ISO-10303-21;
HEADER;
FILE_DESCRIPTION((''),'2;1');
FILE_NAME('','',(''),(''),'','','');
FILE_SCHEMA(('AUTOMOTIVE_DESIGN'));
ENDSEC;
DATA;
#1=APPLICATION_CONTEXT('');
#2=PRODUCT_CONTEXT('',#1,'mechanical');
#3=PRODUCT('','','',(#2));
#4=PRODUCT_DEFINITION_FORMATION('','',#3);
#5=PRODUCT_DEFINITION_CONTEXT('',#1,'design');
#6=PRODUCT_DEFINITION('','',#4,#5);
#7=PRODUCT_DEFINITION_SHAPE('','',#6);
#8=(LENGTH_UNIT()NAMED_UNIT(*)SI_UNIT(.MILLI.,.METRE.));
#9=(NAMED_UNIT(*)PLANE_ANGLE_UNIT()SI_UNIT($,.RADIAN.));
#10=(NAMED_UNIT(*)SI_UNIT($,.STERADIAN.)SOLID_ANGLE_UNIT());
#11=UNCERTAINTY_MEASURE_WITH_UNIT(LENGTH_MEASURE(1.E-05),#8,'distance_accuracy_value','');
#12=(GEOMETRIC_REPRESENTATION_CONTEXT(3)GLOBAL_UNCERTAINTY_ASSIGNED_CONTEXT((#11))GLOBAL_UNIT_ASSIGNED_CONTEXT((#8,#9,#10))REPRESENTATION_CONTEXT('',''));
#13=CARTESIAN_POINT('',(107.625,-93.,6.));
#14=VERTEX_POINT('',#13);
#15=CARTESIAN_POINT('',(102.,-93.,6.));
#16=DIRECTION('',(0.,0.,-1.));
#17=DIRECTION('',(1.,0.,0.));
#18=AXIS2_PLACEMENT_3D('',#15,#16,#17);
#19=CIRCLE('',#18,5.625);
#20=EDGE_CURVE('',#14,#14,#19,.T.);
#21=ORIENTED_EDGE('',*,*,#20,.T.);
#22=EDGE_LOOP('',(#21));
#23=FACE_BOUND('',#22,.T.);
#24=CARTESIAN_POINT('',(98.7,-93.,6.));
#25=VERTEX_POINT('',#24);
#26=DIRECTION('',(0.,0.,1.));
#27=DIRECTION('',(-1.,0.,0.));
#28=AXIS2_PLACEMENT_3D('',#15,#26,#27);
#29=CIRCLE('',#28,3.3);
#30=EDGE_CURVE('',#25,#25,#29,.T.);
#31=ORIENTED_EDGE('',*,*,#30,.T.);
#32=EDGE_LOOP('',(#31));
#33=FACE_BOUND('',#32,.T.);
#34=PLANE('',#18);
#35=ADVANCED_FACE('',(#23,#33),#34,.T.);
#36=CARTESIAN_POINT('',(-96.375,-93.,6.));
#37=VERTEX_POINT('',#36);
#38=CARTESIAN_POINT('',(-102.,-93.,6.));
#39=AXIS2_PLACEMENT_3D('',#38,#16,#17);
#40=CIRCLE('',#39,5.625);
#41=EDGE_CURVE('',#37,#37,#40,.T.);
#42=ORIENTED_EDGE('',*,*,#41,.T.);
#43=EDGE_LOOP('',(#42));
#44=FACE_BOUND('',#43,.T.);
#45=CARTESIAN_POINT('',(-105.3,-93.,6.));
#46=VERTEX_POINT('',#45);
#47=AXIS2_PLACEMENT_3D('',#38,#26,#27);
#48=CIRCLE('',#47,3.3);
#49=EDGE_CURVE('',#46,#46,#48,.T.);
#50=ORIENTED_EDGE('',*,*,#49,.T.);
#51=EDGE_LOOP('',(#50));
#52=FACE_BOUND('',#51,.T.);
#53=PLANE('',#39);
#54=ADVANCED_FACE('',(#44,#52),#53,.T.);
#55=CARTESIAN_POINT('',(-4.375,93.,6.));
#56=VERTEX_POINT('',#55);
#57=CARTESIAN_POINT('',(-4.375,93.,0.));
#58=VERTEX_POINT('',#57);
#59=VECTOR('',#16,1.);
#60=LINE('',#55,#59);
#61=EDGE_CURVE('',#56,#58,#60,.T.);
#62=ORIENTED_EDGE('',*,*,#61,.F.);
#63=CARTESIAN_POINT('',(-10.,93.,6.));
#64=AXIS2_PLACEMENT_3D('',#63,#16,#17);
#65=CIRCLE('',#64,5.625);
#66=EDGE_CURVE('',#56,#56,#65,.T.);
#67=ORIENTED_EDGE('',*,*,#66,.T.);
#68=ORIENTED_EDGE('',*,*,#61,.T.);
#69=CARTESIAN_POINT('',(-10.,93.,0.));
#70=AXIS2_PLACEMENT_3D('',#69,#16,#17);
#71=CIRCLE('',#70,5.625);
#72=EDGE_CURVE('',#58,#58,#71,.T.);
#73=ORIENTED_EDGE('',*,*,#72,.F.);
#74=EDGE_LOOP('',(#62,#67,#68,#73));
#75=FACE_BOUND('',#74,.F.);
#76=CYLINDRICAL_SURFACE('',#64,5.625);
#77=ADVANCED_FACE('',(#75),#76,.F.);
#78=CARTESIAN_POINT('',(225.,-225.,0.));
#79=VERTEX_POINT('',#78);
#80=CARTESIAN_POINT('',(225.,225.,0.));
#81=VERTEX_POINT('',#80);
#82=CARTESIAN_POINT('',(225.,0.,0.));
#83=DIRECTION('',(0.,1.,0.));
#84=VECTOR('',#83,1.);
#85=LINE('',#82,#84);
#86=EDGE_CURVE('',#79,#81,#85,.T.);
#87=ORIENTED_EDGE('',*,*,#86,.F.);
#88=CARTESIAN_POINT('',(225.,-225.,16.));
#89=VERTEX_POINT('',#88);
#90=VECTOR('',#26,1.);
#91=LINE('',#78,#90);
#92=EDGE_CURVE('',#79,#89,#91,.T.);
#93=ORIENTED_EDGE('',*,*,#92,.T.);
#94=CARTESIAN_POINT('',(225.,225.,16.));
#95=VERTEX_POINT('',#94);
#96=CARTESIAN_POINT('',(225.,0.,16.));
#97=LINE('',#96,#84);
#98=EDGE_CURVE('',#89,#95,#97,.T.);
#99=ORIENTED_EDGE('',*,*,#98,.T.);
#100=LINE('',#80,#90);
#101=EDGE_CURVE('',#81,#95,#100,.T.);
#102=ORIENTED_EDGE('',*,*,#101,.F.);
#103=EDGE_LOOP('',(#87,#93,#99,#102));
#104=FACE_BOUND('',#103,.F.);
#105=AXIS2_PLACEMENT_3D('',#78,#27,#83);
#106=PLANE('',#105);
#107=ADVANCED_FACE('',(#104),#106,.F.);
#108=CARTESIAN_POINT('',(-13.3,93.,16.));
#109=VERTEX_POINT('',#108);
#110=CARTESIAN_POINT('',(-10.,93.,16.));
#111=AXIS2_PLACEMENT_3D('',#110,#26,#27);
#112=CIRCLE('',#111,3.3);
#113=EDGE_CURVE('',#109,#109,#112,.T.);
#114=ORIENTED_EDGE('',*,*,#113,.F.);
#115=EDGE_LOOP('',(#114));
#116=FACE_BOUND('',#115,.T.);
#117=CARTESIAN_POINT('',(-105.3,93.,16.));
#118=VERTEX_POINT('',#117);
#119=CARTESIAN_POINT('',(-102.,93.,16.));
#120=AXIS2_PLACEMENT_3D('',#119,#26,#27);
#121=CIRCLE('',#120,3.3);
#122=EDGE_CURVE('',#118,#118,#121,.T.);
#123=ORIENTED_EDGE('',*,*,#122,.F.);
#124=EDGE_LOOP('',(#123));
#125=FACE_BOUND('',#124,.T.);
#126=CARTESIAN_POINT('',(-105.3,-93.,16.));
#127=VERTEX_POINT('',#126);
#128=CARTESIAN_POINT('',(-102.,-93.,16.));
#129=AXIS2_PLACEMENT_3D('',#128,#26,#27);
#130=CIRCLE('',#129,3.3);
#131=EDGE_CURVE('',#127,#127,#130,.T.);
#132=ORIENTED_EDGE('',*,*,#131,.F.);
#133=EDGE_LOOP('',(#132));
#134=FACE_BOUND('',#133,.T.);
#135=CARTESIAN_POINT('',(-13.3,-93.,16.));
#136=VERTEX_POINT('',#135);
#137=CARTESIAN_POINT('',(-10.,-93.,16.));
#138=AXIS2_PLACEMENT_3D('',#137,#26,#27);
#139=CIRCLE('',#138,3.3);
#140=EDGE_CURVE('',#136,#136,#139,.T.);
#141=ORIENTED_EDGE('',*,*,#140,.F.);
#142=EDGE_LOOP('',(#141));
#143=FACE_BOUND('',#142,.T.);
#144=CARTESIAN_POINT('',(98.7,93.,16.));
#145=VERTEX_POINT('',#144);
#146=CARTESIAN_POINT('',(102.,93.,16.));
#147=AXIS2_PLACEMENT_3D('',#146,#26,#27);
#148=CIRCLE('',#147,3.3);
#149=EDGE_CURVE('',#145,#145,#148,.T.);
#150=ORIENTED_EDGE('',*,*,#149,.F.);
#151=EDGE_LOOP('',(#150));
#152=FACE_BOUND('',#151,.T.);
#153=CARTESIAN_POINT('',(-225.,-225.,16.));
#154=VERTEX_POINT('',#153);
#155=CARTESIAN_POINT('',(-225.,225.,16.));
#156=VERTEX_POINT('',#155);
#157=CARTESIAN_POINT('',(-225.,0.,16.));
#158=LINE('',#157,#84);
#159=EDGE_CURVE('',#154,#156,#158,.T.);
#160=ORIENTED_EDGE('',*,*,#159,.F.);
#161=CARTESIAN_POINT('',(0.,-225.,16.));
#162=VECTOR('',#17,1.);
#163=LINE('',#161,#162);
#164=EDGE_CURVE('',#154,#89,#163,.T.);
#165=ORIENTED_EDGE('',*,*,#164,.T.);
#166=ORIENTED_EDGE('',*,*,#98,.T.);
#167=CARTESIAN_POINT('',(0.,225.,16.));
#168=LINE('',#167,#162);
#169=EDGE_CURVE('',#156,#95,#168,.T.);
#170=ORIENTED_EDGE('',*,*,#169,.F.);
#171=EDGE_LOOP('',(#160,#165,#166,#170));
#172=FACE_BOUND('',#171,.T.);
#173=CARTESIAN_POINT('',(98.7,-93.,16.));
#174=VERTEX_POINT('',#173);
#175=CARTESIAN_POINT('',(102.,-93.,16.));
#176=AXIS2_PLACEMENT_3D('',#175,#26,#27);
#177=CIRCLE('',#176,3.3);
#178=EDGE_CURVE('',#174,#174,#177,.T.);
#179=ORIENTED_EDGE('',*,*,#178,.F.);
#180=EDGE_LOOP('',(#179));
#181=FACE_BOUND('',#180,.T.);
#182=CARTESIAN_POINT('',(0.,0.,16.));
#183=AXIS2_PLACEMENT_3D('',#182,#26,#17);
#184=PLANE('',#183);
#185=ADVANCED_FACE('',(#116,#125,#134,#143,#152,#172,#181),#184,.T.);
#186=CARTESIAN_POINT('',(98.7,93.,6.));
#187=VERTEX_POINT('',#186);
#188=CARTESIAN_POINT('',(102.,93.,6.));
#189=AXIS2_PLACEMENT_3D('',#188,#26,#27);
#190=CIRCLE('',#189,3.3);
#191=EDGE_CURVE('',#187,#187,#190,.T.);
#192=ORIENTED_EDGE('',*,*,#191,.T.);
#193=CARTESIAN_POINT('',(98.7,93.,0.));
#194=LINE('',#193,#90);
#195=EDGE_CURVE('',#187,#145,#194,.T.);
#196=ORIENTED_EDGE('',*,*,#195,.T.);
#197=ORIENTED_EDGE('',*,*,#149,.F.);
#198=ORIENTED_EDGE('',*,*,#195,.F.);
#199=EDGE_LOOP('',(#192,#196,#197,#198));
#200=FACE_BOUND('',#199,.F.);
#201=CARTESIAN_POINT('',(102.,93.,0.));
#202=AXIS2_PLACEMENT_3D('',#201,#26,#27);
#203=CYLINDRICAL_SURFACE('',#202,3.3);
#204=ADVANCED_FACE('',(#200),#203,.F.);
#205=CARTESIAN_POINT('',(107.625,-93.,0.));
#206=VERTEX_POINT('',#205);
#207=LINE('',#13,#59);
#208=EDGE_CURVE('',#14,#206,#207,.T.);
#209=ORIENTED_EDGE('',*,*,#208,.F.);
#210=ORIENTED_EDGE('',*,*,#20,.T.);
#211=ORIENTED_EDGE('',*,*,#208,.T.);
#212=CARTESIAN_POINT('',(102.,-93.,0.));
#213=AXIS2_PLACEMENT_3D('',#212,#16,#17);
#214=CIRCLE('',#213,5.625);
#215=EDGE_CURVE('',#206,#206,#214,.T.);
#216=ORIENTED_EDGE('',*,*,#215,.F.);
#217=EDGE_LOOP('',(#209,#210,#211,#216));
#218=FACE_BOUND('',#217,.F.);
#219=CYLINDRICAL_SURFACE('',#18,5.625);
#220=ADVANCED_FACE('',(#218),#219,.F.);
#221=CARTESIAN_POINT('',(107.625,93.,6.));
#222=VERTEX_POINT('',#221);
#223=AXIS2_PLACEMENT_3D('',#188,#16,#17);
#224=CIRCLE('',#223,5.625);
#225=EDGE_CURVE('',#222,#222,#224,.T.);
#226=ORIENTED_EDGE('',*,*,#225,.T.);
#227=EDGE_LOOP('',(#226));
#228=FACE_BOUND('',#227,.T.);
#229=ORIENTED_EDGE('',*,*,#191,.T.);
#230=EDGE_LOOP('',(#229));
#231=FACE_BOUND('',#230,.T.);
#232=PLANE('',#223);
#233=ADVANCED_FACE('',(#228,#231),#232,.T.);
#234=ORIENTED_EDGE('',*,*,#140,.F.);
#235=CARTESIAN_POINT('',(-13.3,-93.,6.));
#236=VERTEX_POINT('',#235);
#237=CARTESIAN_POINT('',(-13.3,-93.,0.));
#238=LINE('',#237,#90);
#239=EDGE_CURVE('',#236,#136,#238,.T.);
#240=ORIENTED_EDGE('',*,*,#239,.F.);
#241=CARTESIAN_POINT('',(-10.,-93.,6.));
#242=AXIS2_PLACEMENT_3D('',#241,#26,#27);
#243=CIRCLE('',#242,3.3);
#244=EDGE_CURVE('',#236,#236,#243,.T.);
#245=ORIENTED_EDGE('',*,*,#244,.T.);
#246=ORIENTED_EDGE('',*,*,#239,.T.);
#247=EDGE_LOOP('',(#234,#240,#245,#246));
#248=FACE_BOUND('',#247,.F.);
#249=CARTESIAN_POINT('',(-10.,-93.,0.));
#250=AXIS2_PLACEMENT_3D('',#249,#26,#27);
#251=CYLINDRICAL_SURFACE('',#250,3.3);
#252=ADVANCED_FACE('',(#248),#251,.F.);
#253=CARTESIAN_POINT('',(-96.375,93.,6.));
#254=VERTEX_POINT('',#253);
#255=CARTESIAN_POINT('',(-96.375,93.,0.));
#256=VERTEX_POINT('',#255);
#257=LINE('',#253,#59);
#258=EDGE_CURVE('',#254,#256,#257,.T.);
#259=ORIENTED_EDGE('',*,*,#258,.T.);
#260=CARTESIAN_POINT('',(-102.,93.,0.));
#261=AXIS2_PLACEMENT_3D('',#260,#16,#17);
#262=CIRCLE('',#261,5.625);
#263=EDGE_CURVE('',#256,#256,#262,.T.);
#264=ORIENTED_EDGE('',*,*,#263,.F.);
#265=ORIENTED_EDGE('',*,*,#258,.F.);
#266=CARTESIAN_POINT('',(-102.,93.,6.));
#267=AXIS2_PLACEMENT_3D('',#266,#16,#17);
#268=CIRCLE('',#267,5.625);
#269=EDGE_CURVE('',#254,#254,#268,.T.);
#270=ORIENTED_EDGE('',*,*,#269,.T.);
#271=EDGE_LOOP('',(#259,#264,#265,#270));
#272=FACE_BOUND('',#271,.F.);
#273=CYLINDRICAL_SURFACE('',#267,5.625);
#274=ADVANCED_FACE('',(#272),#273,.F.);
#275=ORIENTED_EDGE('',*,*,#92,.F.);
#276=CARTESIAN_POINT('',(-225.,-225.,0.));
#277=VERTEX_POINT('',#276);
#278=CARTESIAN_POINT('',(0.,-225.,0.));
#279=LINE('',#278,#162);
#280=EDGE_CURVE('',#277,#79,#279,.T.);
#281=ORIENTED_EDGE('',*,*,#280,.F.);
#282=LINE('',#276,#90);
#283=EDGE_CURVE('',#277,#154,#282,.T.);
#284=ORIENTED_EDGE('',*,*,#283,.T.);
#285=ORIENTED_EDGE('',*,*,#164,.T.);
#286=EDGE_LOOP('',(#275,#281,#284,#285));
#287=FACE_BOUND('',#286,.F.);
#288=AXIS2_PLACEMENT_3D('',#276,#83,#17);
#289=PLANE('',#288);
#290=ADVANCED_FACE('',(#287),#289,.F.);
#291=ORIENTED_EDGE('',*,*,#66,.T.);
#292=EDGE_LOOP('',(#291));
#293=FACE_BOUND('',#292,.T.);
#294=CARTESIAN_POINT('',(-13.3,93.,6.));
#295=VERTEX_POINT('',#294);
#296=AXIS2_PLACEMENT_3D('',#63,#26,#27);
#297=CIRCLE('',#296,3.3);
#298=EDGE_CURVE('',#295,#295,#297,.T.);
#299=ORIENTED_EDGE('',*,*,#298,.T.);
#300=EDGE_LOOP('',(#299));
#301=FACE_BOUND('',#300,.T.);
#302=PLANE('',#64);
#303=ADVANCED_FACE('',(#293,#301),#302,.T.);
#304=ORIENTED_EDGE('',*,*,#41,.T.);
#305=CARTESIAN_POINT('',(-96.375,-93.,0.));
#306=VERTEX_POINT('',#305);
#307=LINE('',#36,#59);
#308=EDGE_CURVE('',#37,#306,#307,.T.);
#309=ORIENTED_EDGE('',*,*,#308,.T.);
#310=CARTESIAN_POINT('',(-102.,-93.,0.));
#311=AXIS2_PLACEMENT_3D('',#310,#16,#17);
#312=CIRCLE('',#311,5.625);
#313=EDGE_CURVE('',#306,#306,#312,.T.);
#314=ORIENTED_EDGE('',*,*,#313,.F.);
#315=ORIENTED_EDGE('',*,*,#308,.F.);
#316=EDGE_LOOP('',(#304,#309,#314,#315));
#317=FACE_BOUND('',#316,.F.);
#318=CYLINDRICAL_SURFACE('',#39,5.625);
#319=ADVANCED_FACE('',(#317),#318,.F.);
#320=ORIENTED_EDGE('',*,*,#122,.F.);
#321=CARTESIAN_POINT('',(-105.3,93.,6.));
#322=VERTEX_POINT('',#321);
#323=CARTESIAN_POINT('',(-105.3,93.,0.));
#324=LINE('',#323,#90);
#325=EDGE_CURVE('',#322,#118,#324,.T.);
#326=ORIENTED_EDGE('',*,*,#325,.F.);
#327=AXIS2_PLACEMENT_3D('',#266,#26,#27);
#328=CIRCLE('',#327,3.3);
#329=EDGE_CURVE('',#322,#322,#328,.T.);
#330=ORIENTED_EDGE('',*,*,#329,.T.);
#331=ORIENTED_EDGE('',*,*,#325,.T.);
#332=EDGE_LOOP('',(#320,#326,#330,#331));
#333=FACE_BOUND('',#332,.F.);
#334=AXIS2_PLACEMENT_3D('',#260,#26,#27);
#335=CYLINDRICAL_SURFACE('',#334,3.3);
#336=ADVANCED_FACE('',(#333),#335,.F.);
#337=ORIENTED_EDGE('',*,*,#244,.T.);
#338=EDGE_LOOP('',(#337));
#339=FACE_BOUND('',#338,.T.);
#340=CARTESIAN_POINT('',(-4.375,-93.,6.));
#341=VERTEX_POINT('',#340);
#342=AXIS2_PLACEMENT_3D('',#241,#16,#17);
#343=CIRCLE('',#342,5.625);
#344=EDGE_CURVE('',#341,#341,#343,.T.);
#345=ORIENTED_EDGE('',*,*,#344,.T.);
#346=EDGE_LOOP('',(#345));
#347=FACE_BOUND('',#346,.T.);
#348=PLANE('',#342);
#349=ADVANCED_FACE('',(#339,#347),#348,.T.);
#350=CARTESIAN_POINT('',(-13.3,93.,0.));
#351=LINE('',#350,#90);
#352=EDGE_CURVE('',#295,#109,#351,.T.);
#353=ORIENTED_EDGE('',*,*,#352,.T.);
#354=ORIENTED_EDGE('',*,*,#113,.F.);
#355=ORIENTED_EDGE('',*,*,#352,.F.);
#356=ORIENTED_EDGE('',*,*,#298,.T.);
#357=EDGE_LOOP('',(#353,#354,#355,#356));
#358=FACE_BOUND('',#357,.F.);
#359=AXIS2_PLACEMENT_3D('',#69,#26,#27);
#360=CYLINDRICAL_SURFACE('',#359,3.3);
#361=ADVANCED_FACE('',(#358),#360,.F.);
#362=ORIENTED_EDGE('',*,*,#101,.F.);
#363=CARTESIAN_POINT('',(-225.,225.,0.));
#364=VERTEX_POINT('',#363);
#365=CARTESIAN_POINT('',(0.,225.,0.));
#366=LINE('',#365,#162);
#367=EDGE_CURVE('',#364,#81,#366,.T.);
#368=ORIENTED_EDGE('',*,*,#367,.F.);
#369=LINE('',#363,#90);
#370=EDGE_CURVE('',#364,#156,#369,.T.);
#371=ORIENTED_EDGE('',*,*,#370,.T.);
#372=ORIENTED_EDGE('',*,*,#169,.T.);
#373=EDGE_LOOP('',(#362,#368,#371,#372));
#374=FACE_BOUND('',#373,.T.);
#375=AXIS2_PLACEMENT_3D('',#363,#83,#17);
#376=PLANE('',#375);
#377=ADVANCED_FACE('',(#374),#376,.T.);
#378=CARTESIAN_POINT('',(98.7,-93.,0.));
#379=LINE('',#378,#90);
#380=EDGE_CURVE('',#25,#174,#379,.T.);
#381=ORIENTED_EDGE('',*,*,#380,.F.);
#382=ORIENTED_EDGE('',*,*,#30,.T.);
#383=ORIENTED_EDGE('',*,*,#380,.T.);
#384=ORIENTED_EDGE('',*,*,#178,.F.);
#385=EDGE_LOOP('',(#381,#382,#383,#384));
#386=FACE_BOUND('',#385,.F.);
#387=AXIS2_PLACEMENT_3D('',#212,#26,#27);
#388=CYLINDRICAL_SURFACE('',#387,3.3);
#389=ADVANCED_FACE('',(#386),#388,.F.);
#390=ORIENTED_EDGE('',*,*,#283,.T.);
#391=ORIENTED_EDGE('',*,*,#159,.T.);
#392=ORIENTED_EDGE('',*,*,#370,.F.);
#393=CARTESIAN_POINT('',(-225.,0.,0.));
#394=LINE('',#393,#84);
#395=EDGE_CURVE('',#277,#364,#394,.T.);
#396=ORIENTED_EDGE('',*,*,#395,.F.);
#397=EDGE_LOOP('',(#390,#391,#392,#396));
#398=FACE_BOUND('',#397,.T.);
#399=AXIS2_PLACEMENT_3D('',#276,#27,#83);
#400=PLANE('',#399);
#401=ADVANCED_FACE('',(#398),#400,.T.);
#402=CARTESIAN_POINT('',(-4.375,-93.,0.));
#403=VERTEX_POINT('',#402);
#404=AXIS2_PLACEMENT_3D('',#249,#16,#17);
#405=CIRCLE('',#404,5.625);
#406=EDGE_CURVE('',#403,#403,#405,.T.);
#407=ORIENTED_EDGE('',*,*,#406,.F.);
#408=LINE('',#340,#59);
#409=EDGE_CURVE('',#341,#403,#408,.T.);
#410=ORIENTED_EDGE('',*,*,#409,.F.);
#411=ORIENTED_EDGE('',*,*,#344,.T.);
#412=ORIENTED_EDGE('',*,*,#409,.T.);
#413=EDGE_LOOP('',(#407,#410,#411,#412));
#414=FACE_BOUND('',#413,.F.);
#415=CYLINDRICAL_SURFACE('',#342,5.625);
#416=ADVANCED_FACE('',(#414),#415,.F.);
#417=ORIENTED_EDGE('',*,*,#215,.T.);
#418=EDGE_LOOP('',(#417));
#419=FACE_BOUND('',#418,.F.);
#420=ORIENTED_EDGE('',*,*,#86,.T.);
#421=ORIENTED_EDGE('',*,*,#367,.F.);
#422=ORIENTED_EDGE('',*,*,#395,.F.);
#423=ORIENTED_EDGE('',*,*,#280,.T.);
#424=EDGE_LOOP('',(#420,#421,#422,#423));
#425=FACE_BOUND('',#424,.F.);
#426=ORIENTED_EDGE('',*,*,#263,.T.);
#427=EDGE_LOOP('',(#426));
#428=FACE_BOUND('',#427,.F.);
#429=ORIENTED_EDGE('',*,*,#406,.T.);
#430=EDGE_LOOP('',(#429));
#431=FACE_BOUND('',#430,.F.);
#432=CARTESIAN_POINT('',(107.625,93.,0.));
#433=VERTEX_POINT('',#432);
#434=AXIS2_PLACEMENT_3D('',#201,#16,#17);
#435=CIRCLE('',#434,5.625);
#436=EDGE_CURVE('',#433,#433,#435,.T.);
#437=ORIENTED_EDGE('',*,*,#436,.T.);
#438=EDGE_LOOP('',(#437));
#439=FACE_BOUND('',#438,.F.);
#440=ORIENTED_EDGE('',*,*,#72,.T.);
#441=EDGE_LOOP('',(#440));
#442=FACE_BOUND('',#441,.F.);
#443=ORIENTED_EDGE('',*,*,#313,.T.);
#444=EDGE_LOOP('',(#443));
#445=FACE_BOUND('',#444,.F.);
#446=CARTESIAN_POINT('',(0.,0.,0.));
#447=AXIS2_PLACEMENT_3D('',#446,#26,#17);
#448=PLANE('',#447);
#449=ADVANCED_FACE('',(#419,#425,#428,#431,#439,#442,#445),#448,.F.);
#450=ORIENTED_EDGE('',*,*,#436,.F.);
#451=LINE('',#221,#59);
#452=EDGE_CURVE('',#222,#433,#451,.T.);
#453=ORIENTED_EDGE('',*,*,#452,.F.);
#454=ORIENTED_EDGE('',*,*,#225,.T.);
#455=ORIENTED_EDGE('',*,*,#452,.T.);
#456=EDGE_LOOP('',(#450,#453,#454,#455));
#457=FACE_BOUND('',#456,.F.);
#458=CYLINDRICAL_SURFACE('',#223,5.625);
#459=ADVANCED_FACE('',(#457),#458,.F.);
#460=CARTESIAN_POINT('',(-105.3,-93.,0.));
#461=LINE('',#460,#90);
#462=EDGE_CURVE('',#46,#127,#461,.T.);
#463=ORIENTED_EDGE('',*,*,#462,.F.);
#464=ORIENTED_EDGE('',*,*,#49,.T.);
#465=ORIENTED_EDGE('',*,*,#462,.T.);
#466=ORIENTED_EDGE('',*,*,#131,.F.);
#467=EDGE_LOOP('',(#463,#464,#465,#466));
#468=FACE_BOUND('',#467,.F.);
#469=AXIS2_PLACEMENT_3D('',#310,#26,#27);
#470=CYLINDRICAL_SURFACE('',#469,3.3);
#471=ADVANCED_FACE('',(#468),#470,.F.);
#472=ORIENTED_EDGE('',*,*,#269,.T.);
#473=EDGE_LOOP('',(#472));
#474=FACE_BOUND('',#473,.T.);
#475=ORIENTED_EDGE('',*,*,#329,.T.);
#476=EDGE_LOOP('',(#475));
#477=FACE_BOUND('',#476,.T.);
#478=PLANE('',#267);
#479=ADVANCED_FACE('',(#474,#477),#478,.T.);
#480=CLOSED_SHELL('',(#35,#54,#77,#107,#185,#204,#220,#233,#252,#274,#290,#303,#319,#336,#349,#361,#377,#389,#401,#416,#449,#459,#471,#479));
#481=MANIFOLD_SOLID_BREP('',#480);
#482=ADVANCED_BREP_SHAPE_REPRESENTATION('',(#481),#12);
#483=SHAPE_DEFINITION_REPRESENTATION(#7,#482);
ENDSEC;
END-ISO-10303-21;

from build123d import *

# Parameters (mm, degrees)
F0_W           = 450
F0_H           = 450
F1_DEPTH       = 16
F3_D           = 6.6
F3_CBORE_D     = 11.25
F3_CBORE_DEPTH = 6


with BuildPart() as f1:
    # F0 (on Top) → F1 (new body)
    with BuildSketch(Plane.XY):
        Rectangle(F0_W, F0_H)
    extrude(amount=F1_DEPTH)

    # F3 (through all)
    with Locations(Plane(origin=(0, 0, 0), x_dir=(1, 0, 0), z_dir=(0, 0, -1))):
        with Locations((-102, -93), (-102, 93), (-10, 93), (-10, -93), (102, -93), (102, 93)):
            CounterBoreHole(F3_D / 2, F3_CBORE_D / 2, F3_CBORE_DEPTH)


solid = f1.part
